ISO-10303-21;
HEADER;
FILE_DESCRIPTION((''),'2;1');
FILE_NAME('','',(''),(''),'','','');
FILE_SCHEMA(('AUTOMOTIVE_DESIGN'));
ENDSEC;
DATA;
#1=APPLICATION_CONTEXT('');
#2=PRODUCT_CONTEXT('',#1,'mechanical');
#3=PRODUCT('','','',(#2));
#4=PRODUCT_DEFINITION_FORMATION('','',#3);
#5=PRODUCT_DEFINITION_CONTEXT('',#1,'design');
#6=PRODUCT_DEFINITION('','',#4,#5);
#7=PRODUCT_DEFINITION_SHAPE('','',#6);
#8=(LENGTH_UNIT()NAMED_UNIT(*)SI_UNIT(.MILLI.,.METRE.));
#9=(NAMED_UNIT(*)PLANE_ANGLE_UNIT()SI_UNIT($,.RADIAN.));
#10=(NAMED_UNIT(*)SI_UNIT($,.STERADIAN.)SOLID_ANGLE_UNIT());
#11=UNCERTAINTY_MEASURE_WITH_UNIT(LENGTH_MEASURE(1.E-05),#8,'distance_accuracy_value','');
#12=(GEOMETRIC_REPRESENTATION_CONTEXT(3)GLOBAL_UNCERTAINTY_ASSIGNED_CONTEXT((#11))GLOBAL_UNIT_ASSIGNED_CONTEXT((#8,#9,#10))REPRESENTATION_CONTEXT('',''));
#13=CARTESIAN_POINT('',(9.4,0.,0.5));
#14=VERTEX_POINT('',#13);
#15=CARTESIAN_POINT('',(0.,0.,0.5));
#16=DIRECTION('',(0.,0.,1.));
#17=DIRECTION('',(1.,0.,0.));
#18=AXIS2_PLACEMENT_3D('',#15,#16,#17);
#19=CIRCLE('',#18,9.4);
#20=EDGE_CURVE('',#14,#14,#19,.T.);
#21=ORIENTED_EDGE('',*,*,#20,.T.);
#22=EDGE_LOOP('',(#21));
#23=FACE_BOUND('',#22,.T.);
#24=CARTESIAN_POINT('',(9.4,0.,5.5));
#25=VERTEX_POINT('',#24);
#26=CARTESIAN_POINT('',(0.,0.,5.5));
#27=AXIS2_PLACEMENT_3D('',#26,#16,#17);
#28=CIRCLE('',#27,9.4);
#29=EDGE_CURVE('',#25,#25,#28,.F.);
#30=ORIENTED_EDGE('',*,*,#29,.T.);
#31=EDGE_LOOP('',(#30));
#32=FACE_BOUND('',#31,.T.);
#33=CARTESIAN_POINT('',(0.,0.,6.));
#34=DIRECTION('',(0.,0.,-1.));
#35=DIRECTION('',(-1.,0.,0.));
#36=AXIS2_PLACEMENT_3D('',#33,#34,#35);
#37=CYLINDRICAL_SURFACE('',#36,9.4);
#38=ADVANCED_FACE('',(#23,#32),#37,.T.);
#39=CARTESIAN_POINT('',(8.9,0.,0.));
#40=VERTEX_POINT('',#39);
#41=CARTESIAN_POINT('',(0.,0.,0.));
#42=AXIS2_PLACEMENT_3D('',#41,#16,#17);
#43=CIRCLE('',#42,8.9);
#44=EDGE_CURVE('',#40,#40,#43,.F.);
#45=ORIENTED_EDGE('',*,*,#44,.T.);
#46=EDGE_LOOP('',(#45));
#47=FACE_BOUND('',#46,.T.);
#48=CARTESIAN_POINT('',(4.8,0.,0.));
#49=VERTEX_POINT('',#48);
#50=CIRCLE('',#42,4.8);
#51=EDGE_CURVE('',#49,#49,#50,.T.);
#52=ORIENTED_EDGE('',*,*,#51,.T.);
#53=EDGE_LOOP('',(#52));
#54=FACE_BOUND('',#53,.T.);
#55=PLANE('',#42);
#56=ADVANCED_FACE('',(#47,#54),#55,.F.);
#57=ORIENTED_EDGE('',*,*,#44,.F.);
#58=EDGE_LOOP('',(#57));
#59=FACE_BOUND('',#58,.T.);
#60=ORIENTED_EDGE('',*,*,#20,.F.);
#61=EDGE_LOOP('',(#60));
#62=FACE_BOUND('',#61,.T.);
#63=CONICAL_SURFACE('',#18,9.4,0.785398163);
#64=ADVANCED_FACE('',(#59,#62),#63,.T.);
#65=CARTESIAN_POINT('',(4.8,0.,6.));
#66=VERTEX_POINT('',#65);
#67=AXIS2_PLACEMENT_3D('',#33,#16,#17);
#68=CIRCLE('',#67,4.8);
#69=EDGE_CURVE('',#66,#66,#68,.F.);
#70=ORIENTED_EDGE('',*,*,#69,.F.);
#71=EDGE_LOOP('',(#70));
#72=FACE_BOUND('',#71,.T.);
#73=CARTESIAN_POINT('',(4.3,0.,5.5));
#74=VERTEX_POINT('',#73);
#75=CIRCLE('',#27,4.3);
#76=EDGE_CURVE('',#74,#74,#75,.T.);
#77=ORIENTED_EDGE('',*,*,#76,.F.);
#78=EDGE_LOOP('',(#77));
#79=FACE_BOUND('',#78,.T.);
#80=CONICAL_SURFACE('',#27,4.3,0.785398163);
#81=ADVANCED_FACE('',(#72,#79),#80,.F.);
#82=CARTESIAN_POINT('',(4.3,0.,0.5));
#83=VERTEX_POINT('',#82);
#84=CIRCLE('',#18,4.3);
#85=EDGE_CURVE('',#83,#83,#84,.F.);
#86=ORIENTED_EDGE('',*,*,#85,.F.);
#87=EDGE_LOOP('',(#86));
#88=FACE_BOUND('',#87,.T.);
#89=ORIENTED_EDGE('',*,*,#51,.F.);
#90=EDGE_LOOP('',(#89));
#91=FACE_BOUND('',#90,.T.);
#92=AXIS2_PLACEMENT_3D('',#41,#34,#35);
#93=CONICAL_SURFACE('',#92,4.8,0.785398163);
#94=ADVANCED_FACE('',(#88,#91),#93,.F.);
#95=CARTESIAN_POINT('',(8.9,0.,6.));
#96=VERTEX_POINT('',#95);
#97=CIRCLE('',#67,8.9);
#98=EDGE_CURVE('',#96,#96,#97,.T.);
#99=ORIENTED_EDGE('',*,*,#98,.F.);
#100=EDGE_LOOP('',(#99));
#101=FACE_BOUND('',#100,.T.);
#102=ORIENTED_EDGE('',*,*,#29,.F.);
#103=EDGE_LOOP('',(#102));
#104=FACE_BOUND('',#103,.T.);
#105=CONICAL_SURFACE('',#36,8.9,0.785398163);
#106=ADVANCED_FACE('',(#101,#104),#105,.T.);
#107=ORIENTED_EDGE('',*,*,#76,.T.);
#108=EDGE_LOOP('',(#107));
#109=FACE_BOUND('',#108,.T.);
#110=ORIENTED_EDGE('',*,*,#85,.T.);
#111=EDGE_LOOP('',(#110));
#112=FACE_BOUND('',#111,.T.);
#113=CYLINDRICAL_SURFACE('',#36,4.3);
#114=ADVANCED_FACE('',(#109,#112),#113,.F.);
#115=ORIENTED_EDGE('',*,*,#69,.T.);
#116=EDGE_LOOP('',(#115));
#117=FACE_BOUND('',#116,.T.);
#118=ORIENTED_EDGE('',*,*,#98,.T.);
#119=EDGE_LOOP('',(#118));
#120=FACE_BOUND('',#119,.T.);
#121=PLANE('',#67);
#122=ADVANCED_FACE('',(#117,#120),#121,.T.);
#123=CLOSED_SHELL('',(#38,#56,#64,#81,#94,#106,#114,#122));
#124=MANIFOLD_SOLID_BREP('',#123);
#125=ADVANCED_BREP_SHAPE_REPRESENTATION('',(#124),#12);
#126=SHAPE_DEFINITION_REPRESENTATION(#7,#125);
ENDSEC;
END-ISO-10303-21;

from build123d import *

# Parameters (mm, degrees)
SKETCH1_R           = 9.4
SKETCH1_R_2         = 4.3
BOSS_EXTRUDE1_DEPTH = 6
CHAMFER1_SIZE       = 0.5


with BuildPart() as part:
    # Sketch1 → Boss-Extrude1 (new body)
    with BuildSketch(Plane.XY):
        Circle(SKETCH1_R)
        Circle(SKETCH1_R_2, mode=Mode.SUBTRACT)
    extrude(amount=BOSS_EXTRUDE1_DEPTH)

    # Chamfer1
    chamfer1_edges = [part.edges().sort_by_distance(p)[0] for p in [
        (-9.4, 0, 0),
        (-9.4, 0, 6),
        (-4.3, 0, 0),
        (-4.3, 0, 6),
    ]]
    chamfer(chamfer1_edges, length=CHAMFER1_SIZE)


solid = part.part
